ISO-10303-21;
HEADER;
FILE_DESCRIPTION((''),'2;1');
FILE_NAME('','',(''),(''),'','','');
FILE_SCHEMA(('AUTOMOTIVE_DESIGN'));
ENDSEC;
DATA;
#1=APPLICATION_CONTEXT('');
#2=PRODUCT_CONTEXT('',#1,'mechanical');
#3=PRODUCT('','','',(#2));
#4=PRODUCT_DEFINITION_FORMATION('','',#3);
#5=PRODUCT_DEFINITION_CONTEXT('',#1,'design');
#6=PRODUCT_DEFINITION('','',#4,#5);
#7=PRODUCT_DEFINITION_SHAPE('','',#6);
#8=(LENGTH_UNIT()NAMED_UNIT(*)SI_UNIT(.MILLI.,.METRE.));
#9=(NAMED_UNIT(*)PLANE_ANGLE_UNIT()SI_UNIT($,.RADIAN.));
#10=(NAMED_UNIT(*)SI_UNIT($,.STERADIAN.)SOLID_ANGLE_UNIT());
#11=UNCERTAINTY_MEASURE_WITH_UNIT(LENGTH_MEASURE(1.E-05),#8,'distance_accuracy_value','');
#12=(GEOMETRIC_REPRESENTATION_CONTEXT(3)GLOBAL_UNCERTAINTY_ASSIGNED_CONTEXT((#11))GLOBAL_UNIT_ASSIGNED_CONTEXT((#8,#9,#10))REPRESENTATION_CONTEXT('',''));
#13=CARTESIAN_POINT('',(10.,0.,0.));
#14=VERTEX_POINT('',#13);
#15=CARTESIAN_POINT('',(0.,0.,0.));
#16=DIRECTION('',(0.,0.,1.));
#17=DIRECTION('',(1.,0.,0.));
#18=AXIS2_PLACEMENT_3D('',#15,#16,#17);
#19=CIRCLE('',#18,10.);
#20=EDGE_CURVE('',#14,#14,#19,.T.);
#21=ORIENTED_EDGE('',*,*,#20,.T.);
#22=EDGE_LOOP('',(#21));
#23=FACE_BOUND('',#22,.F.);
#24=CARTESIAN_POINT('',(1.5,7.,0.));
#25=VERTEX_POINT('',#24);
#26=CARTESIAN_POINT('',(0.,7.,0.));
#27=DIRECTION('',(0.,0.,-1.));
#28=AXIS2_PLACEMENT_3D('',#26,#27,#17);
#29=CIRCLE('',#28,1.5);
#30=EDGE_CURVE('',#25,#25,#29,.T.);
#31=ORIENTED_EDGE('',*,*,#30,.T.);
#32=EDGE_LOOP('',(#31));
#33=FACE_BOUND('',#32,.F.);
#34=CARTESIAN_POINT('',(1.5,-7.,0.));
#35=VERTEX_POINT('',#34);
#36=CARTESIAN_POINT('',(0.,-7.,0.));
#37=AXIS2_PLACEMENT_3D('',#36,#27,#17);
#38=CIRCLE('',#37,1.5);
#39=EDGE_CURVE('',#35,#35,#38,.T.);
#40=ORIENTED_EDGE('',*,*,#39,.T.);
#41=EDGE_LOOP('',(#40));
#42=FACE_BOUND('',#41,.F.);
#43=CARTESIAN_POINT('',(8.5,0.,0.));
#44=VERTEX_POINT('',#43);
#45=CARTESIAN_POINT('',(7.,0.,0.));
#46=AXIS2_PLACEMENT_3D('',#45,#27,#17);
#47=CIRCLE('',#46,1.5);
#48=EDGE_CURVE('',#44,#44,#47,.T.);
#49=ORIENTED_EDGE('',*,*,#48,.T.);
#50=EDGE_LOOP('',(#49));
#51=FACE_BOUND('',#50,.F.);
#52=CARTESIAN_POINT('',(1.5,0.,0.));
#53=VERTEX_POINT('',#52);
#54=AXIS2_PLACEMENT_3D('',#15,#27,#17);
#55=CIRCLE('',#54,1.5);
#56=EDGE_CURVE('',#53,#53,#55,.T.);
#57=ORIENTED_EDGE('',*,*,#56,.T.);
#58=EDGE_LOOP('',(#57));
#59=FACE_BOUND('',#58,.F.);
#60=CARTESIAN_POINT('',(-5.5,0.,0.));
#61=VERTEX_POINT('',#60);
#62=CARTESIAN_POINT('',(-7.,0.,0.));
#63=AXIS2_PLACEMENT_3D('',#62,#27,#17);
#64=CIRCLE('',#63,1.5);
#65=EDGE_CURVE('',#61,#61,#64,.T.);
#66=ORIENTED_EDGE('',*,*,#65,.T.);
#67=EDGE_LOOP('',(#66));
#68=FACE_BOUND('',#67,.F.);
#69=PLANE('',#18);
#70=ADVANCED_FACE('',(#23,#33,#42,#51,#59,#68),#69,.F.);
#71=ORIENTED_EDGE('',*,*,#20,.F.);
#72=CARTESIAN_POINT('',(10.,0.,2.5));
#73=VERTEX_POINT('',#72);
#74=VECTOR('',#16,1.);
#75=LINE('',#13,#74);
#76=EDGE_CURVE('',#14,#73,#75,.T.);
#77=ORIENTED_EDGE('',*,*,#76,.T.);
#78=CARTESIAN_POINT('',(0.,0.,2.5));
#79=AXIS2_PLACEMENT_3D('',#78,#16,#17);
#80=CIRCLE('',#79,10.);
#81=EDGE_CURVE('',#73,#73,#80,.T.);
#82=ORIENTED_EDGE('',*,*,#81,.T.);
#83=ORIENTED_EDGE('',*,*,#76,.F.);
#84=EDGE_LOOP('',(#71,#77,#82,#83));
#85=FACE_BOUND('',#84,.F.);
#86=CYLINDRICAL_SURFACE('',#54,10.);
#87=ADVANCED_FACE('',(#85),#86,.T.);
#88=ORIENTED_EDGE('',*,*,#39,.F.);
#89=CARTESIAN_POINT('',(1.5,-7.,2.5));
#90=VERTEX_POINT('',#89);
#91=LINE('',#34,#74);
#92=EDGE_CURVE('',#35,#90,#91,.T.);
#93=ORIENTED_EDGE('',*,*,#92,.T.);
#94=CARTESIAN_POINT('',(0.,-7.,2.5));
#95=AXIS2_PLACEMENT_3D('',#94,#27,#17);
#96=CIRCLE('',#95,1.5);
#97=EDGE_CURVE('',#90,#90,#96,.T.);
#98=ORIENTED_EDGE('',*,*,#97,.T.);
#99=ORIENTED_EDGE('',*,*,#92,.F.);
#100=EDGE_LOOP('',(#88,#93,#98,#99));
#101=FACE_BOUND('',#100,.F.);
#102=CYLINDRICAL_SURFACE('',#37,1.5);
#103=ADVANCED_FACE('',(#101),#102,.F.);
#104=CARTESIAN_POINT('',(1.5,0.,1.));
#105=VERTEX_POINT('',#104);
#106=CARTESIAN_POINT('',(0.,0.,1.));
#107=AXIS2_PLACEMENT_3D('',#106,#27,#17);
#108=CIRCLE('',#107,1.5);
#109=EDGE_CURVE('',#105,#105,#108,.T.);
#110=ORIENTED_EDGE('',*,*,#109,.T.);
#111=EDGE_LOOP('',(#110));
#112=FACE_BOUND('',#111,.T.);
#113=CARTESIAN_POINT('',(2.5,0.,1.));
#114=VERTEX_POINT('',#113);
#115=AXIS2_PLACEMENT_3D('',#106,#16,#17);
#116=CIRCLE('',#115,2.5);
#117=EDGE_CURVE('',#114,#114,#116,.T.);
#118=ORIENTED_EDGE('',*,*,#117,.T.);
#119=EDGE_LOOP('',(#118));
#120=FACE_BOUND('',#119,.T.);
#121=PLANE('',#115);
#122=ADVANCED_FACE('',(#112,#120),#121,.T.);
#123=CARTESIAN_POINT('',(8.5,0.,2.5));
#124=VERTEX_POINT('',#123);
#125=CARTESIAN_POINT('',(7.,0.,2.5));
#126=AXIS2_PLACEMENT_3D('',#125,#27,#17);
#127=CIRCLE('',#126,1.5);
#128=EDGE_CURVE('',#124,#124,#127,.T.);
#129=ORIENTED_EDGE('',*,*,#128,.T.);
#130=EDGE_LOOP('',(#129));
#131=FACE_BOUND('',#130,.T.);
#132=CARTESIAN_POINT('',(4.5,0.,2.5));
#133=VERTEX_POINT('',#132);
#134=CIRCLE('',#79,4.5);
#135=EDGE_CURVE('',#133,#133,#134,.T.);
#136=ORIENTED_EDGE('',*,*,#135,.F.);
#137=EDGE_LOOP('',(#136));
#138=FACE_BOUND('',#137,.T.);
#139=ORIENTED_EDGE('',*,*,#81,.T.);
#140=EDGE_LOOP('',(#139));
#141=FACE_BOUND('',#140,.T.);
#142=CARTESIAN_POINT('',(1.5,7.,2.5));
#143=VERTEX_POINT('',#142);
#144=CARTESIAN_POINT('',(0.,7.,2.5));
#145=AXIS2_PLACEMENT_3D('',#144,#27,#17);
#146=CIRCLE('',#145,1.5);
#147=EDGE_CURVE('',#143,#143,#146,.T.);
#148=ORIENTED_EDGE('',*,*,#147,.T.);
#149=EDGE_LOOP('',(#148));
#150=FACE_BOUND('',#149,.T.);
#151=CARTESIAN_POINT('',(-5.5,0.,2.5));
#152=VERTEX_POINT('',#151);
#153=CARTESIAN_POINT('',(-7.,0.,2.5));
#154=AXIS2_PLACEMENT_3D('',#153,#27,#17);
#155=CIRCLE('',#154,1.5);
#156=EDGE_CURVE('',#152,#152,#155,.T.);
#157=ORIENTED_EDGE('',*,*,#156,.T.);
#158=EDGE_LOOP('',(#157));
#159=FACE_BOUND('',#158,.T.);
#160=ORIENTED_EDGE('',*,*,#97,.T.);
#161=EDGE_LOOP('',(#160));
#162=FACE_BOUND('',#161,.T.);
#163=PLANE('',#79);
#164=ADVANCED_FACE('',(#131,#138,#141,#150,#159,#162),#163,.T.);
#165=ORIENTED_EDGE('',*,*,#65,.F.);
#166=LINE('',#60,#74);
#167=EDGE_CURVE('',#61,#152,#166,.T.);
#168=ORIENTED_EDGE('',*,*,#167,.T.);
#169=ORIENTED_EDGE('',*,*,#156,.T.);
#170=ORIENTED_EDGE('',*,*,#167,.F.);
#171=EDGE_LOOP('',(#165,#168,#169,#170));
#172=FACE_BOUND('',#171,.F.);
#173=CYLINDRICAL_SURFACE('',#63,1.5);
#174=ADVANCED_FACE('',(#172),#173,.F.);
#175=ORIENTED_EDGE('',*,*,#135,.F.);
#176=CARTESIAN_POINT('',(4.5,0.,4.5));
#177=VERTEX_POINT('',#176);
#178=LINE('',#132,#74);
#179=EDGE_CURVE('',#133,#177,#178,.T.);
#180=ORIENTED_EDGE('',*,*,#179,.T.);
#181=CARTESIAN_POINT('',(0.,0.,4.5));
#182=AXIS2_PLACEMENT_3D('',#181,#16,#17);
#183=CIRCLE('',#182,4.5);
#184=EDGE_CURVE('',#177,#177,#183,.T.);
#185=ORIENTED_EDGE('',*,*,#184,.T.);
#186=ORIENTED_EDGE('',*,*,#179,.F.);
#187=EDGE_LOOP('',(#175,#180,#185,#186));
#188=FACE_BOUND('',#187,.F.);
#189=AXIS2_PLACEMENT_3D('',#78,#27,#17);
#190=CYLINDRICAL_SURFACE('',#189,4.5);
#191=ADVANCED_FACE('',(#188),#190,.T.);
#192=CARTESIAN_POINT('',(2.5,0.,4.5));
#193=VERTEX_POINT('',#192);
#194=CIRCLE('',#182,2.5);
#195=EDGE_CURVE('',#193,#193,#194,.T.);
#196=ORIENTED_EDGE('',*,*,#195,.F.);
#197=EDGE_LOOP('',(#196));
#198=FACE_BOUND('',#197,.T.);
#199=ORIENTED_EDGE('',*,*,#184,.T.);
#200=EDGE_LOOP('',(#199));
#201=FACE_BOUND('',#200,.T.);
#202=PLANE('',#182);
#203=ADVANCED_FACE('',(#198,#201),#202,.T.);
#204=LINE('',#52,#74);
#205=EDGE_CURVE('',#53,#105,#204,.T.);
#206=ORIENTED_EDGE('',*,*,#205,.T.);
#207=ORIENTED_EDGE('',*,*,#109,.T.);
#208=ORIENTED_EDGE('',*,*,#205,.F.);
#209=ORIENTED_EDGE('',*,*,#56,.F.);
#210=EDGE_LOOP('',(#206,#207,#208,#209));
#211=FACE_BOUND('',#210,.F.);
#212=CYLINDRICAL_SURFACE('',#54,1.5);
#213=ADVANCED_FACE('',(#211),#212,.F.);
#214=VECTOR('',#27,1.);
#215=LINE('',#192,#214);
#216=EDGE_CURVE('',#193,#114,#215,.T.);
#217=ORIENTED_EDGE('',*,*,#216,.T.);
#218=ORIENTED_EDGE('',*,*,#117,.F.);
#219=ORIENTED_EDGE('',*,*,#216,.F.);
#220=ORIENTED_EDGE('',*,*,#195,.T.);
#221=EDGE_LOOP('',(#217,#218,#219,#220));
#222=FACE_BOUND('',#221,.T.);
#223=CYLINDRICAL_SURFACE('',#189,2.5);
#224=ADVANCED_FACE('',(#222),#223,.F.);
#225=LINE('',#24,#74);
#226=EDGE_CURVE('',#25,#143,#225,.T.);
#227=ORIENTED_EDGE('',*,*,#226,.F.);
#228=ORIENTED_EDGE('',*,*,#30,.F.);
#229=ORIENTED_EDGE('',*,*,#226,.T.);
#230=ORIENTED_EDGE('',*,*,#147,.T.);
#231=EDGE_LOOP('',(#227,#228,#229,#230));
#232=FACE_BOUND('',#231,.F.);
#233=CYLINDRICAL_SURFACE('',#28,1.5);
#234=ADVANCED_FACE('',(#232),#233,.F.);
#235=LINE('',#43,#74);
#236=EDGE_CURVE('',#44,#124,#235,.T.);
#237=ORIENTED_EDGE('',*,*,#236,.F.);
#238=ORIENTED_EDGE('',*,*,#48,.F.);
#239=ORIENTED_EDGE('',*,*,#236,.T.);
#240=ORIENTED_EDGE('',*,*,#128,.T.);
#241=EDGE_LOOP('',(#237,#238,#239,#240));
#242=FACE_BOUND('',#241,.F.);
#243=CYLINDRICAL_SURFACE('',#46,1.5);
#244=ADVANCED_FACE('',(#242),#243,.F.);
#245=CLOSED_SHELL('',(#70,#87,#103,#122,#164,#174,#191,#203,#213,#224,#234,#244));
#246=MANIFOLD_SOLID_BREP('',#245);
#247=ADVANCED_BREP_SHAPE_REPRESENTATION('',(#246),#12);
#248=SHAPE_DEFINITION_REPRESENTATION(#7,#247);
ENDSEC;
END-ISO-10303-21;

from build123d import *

# Parameters (mm, degrees)
F0_R      = 10
F1_DEPTH  = 2.5
F2_R      = 4.5
F2_R_2    = 2.5
F3_DEPTH  = 2
F3_FACE_R = 2.5
F4_DEPTH  = 1.5
F5_R      = 1.5
F6_DEPTH  = 25


with BuildPart() as f1:
    # F0 (on Top) → F1 (new body)
    with BuildSketch(Plane.XY):
        Circle(F0_R)
    extrude(amount=F1_DEPTH)

    # F2 (on face) → F3 (join)
    with BuildSketch(Plane.XY.offset(2.5)):
        Circle(F2_R)
        Circle(F2_R_2, mode=Mode.SUBTRACT)
    extrude(amount=F3_DEPTH)

    # F3_face (on face) → F4 (cut)
    with BuildSketch(Plane.XY.offset(2.5)):
        Circle(F3_FACE_R)
    extrude(amount=-F4_DEPTH, mode=Mode.SUBTRACT)

    # F5 (on face) → F6 (cut)
    with BuildSketch(Plane(origin=(0, 0, 0), x_dir=(1, 0, 0), z_dir=(0, 0, -1))):
        with Locations((-7, 0)):
            Circle(F5_R)
        with Locations((7, 0)):
            Circle(F5_R)
        with Locations((0, -7)):
            Circle(F5_R)
        with Locations((0, 7)):
            Circle(F5_R)
        Circle(F5_R)
    extrude(amount=-F6_DEPTH, mode=Mode.SUBTRACT)


solid = f1.part
